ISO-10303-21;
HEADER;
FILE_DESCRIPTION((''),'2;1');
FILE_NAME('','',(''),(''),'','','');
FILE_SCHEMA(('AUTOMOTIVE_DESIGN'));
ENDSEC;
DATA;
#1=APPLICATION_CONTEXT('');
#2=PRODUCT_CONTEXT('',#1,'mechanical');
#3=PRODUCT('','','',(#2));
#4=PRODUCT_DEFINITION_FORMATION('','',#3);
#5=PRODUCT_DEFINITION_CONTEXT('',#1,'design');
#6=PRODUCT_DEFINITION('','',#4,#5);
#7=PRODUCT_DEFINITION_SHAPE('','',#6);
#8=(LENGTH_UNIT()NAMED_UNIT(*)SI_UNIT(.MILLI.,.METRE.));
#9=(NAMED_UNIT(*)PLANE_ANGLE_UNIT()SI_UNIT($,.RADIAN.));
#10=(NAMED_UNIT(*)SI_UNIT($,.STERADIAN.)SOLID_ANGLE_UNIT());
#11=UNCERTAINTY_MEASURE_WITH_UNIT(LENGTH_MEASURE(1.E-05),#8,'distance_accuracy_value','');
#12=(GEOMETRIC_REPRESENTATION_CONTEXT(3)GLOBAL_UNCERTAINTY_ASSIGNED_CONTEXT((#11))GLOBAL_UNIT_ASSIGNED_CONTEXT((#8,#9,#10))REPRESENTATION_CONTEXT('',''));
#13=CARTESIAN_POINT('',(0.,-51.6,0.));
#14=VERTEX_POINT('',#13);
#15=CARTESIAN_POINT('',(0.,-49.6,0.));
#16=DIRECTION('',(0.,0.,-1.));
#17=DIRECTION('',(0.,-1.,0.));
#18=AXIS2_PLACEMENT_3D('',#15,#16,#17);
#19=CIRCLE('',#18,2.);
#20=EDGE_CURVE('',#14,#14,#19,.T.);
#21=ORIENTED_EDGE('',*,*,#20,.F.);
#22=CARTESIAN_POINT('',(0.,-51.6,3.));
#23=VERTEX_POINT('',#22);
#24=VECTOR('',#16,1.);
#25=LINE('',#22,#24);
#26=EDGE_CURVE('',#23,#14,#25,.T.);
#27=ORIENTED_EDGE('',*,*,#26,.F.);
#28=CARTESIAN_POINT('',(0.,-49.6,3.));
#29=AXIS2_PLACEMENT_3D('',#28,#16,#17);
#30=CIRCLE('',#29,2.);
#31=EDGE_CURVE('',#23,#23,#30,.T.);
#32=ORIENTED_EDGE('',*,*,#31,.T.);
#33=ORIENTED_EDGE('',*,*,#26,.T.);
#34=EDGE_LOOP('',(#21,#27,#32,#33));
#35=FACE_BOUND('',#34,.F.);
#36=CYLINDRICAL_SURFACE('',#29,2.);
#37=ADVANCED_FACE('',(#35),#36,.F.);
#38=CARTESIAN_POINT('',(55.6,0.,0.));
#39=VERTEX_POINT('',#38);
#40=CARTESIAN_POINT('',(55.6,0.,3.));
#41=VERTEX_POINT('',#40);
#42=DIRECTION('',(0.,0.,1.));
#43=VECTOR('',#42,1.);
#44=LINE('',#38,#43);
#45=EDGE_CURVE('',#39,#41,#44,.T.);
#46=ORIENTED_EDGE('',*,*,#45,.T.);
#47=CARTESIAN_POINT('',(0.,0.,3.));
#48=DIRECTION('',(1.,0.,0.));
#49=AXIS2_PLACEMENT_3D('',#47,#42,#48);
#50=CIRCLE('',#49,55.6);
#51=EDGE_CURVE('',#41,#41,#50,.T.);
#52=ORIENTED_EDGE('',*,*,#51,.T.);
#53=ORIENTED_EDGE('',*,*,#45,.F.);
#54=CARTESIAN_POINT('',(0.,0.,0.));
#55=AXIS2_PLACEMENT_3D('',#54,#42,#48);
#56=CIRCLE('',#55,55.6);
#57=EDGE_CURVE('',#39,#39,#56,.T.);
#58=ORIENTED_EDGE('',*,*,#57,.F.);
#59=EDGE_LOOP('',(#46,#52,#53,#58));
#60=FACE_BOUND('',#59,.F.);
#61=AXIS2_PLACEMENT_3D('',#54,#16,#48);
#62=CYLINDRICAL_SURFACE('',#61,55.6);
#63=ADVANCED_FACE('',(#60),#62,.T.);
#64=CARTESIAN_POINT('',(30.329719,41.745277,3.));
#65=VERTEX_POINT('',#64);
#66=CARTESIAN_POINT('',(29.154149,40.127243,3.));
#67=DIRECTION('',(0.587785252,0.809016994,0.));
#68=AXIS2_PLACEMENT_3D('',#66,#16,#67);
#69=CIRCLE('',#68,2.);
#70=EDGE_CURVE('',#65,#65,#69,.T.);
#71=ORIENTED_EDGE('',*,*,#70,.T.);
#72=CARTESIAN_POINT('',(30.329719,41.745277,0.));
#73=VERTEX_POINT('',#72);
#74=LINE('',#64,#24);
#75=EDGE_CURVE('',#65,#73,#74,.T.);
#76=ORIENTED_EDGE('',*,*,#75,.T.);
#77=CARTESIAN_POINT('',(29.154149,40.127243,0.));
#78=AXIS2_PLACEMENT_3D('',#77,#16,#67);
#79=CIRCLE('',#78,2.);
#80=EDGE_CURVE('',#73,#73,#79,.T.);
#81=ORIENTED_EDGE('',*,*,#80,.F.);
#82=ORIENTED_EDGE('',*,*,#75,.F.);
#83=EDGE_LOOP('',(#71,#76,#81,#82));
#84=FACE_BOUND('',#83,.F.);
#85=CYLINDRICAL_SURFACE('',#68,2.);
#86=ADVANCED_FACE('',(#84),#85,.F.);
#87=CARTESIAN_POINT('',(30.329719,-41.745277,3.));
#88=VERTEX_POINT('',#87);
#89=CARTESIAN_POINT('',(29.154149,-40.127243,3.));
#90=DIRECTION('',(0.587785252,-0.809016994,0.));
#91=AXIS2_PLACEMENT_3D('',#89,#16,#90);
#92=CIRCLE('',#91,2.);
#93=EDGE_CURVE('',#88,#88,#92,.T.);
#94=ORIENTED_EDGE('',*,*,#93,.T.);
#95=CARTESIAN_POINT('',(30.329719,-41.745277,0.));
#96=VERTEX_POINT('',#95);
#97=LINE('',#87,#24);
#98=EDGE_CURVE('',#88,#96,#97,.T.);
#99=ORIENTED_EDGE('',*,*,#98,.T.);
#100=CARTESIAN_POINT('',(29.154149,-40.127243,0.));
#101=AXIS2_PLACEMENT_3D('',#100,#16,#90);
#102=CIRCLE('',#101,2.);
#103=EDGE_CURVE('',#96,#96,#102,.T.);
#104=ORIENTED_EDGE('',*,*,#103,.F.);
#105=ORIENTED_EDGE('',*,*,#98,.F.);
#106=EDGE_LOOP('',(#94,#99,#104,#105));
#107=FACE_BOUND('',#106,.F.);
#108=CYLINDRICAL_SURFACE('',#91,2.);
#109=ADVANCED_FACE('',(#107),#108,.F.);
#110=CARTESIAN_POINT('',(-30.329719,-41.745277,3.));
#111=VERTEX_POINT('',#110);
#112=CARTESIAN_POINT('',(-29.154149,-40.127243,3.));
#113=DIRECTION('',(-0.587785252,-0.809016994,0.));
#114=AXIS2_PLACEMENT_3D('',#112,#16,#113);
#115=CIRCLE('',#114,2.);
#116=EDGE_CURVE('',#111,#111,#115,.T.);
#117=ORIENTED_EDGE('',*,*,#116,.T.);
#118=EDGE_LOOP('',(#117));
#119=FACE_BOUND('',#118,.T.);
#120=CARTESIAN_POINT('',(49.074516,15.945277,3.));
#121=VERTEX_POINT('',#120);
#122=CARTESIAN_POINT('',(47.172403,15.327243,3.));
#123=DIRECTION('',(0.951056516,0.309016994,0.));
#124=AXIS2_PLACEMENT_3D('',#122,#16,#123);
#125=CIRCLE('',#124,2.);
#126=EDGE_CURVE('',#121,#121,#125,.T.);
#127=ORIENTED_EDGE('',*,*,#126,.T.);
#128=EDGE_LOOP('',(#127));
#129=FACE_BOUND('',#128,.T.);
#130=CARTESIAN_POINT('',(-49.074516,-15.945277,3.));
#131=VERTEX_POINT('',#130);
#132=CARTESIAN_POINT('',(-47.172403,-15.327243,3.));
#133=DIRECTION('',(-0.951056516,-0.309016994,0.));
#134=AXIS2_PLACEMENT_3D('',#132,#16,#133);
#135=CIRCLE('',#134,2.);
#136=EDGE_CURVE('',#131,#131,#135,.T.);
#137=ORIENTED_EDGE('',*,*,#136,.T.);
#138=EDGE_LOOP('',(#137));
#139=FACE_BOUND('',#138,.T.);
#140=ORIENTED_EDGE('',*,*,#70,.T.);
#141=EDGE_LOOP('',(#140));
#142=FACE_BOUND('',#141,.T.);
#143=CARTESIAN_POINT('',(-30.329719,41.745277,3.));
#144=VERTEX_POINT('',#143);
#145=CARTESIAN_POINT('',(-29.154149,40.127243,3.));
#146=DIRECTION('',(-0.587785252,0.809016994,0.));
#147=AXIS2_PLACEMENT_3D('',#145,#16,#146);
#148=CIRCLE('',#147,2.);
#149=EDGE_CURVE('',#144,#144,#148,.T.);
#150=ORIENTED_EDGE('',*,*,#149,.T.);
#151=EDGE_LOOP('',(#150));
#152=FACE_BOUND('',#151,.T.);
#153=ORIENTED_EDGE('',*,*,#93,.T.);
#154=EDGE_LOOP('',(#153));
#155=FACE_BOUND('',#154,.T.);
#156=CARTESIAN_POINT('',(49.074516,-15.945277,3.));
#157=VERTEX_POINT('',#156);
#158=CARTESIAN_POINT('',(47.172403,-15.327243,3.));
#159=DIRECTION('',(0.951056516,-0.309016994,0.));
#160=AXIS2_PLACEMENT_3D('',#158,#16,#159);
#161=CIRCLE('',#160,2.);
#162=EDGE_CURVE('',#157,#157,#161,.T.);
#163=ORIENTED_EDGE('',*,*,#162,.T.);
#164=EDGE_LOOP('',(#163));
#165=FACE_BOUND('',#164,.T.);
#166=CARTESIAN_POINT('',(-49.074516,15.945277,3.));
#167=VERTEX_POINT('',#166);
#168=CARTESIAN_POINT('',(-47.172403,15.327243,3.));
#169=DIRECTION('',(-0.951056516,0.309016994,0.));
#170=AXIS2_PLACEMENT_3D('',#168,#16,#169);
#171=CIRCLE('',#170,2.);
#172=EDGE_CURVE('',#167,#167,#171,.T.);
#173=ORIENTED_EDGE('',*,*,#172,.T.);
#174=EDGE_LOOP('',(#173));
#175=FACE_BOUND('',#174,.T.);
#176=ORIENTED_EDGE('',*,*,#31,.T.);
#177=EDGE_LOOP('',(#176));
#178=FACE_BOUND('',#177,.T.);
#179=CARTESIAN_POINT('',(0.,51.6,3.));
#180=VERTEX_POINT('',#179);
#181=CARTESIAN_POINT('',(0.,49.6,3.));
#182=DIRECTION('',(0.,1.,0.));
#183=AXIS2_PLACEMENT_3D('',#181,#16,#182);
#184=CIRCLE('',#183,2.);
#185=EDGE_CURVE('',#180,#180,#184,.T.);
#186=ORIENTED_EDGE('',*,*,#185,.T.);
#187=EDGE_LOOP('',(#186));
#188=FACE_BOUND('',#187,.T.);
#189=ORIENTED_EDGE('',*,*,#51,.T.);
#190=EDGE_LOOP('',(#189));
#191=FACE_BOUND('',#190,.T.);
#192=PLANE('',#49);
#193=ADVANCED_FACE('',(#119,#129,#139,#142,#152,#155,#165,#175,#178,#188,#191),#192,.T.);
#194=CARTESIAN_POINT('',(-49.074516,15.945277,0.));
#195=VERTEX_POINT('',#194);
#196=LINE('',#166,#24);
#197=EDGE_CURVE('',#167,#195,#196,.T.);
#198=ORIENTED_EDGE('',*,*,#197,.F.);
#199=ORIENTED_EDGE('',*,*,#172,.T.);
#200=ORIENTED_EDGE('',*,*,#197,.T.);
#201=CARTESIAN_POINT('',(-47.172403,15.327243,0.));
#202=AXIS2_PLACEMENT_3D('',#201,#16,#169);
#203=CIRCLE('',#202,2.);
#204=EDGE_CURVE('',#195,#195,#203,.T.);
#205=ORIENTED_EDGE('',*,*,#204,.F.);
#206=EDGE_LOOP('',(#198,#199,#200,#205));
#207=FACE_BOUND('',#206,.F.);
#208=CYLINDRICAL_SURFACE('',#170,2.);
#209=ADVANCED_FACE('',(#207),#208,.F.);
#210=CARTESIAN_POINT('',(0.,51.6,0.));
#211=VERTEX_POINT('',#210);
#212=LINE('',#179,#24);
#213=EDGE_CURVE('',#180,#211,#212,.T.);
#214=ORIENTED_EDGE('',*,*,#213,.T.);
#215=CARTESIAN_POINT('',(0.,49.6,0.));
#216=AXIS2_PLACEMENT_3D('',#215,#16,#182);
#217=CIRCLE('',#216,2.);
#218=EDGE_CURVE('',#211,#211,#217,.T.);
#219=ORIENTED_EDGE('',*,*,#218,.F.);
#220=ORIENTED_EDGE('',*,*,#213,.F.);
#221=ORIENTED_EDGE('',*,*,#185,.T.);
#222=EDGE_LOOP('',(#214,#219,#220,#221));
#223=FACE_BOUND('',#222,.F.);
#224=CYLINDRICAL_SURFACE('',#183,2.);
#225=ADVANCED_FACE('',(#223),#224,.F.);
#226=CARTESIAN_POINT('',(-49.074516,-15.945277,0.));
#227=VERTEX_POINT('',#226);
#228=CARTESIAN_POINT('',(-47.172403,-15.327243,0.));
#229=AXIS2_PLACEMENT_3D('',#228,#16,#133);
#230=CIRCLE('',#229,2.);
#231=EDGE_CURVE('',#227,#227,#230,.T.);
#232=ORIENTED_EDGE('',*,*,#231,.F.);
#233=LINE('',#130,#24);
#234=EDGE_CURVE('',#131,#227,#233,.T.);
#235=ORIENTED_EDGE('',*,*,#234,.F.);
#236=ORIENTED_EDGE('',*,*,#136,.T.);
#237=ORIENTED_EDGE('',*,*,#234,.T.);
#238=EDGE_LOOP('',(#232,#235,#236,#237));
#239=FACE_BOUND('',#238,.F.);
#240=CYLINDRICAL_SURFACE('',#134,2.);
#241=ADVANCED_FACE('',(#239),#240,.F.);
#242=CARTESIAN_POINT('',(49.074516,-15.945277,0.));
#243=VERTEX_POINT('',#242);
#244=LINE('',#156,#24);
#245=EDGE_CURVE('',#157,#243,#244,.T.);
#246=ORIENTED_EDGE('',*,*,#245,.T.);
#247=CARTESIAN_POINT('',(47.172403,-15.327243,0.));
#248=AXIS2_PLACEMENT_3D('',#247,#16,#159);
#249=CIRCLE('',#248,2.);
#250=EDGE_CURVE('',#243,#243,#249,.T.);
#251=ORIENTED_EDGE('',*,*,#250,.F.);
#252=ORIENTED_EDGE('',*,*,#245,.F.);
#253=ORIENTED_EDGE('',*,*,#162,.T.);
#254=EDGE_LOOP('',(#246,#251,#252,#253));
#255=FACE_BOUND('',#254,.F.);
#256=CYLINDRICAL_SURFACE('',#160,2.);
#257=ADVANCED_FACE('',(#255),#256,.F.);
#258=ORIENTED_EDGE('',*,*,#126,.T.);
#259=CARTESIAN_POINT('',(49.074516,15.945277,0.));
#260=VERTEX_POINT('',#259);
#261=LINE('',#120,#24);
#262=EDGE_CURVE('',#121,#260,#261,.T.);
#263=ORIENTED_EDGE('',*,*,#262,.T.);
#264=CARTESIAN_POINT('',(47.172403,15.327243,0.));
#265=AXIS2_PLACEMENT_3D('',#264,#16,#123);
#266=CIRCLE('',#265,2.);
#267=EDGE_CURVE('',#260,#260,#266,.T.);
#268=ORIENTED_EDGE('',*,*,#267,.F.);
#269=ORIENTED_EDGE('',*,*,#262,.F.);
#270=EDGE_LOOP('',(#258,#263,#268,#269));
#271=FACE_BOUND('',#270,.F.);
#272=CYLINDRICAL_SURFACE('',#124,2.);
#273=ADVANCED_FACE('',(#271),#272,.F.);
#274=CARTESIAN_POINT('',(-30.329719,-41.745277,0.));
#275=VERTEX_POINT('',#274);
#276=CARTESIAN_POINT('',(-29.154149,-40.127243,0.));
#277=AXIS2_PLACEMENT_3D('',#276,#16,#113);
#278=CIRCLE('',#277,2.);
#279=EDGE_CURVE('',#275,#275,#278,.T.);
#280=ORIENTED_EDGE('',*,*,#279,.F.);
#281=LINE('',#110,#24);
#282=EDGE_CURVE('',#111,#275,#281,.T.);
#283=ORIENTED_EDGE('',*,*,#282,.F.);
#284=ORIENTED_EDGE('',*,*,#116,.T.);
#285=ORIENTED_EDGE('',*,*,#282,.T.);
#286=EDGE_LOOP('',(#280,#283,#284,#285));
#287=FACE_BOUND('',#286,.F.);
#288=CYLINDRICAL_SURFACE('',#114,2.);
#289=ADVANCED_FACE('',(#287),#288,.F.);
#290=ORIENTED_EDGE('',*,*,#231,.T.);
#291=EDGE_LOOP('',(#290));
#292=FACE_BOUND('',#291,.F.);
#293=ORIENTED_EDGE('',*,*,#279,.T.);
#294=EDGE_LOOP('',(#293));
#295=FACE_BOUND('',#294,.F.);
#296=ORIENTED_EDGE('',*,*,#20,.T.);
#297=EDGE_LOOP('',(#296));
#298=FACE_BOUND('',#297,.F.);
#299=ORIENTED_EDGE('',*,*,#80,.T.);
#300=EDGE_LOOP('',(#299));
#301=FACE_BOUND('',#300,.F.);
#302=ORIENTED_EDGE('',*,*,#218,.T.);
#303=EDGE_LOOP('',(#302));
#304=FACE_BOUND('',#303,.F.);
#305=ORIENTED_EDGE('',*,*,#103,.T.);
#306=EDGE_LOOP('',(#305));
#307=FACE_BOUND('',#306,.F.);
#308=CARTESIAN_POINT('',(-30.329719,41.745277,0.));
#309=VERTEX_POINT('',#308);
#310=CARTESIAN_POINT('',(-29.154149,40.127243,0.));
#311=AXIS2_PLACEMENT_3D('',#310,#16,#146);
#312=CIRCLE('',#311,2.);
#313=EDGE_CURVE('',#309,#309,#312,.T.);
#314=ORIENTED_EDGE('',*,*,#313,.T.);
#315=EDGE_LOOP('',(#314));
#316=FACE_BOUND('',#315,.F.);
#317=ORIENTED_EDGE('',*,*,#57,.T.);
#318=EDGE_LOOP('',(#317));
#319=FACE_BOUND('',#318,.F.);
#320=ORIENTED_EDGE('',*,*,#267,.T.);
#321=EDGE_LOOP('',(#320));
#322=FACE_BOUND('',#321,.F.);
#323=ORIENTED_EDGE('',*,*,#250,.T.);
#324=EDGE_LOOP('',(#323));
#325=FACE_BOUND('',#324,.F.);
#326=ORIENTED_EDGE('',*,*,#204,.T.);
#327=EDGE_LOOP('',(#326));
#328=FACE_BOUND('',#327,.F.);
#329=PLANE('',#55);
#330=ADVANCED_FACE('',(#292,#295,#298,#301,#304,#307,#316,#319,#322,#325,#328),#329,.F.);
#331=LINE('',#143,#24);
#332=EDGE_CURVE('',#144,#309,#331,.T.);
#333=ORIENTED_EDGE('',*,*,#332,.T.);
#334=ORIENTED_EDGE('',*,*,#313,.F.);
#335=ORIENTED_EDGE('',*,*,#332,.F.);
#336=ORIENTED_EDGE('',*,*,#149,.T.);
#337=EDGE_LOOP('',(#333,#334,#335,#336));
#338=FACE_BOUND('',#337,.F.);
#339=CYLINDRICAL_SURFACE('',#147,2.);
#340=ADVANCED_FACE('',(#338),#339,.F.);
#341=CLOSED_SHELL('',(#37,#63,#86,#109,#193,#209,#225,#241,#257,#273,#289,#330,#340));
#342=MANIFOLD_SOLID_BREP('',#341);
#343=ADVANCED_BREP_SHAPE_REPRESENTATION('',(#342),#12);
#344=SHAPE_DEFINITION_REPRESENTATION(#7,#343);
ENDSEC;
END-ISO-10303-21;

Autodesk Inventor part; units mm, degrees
ref_plane "YZ Plane" through (0, 0, 0) normal (1, 0, 0) x (0, 1, 0)
ref_plane "XZ Plane" through (0, 0, 0) normal (0, 1, 0) x (-1, 0, 0)
ref_plane "XY Plane" through (0, 0, 0) normal (0, 0, 1) x (1, 0, 0)
ref_plane "Work Plane1" through (0, 0, 0) normal (0, 0, 1) x (1, 0, 0)
sketch "Sketch1" plane through (0, 0, 0) normal (0, 0, 1) x (1, 0, 0)
  circle A0 centre (0, 0) radius 55.6 projected
extrude "Extrusion1" add sketch "Sketch1" along normal blind 3
sketch "Sketch2" plane through (0, 0, 3) normal (0, 0, 1) x (1, 0, 0)
  circle A0 centre (-29.1541, 40.1272) radius 1.45 projected
  circle A1 centre (-47.1724, 15.3272) radius 1.45 projected
  circle A2 centre (-47.1724, -15.3272) radius 1.45 projected
  circle A3 centre (-29.1541, -40.1272) radius 1.45 projected
  circle A4 centre (0, -49.6) radius 1.45 projected
  circle A5 centre (29.1541, -40.1272) radius 1.45 projected
  circle A6 centre (47.1724, -15.3272) radius 1.45 projected
  circle A7 centre (47.1724, 15.3272) radius 1.45 projected
  circle A8 centre (29.1541, 40.1272) radius 1.45 projected
  circle A9 centre (0, 49.6) radius 1.45 projected
  circle A10 centre (0, 0) radius 55.6 projected
  circle A11 centre (0, 0) radius 44.6 projected
hole "Hole1" at (0, -49.6, 3) direction (0, 0, -1) diameter 4 end through all
pattern_circular "Circular Pattern1" count 10 over 360 about axis through (0, 0, 0) along (0, 0, 1) of "Hole1"
sketch "Sketch3" plane through (0, 0, 3) normal (0, 0, 1) x (1, 0, 0)
  circle A0 centre (-29.1541, -40.1272) radius 2 projected
  circle A1 centre (-47.1724, -15.3272) radius 2 projected
  circle A2 centre (-47.1724, 15.3272) radius 2 projected
  circle A3 centre (-29.1541, 40.1272) radius 2 projected
  circle A4 centre (0, 49.6) radius 2 projected
  circle A5 centre (29.1541, 40.1272) radius 2 projected
  circle A6 centre (47.1724, 15.3272) radius 2 projected
  circle A7 centre (47.1724, -15.3272) radius 2 projected
  circle A8 centre (29.1541, -40.1272) radius 2 projected
  circle A9 centre (0, -49.6) radius 2 projected
  circle A10 centre (0, 0) radius 55.6 projected
properties part number "Anglerfish_Frontwindow_3inchtube_V0"
